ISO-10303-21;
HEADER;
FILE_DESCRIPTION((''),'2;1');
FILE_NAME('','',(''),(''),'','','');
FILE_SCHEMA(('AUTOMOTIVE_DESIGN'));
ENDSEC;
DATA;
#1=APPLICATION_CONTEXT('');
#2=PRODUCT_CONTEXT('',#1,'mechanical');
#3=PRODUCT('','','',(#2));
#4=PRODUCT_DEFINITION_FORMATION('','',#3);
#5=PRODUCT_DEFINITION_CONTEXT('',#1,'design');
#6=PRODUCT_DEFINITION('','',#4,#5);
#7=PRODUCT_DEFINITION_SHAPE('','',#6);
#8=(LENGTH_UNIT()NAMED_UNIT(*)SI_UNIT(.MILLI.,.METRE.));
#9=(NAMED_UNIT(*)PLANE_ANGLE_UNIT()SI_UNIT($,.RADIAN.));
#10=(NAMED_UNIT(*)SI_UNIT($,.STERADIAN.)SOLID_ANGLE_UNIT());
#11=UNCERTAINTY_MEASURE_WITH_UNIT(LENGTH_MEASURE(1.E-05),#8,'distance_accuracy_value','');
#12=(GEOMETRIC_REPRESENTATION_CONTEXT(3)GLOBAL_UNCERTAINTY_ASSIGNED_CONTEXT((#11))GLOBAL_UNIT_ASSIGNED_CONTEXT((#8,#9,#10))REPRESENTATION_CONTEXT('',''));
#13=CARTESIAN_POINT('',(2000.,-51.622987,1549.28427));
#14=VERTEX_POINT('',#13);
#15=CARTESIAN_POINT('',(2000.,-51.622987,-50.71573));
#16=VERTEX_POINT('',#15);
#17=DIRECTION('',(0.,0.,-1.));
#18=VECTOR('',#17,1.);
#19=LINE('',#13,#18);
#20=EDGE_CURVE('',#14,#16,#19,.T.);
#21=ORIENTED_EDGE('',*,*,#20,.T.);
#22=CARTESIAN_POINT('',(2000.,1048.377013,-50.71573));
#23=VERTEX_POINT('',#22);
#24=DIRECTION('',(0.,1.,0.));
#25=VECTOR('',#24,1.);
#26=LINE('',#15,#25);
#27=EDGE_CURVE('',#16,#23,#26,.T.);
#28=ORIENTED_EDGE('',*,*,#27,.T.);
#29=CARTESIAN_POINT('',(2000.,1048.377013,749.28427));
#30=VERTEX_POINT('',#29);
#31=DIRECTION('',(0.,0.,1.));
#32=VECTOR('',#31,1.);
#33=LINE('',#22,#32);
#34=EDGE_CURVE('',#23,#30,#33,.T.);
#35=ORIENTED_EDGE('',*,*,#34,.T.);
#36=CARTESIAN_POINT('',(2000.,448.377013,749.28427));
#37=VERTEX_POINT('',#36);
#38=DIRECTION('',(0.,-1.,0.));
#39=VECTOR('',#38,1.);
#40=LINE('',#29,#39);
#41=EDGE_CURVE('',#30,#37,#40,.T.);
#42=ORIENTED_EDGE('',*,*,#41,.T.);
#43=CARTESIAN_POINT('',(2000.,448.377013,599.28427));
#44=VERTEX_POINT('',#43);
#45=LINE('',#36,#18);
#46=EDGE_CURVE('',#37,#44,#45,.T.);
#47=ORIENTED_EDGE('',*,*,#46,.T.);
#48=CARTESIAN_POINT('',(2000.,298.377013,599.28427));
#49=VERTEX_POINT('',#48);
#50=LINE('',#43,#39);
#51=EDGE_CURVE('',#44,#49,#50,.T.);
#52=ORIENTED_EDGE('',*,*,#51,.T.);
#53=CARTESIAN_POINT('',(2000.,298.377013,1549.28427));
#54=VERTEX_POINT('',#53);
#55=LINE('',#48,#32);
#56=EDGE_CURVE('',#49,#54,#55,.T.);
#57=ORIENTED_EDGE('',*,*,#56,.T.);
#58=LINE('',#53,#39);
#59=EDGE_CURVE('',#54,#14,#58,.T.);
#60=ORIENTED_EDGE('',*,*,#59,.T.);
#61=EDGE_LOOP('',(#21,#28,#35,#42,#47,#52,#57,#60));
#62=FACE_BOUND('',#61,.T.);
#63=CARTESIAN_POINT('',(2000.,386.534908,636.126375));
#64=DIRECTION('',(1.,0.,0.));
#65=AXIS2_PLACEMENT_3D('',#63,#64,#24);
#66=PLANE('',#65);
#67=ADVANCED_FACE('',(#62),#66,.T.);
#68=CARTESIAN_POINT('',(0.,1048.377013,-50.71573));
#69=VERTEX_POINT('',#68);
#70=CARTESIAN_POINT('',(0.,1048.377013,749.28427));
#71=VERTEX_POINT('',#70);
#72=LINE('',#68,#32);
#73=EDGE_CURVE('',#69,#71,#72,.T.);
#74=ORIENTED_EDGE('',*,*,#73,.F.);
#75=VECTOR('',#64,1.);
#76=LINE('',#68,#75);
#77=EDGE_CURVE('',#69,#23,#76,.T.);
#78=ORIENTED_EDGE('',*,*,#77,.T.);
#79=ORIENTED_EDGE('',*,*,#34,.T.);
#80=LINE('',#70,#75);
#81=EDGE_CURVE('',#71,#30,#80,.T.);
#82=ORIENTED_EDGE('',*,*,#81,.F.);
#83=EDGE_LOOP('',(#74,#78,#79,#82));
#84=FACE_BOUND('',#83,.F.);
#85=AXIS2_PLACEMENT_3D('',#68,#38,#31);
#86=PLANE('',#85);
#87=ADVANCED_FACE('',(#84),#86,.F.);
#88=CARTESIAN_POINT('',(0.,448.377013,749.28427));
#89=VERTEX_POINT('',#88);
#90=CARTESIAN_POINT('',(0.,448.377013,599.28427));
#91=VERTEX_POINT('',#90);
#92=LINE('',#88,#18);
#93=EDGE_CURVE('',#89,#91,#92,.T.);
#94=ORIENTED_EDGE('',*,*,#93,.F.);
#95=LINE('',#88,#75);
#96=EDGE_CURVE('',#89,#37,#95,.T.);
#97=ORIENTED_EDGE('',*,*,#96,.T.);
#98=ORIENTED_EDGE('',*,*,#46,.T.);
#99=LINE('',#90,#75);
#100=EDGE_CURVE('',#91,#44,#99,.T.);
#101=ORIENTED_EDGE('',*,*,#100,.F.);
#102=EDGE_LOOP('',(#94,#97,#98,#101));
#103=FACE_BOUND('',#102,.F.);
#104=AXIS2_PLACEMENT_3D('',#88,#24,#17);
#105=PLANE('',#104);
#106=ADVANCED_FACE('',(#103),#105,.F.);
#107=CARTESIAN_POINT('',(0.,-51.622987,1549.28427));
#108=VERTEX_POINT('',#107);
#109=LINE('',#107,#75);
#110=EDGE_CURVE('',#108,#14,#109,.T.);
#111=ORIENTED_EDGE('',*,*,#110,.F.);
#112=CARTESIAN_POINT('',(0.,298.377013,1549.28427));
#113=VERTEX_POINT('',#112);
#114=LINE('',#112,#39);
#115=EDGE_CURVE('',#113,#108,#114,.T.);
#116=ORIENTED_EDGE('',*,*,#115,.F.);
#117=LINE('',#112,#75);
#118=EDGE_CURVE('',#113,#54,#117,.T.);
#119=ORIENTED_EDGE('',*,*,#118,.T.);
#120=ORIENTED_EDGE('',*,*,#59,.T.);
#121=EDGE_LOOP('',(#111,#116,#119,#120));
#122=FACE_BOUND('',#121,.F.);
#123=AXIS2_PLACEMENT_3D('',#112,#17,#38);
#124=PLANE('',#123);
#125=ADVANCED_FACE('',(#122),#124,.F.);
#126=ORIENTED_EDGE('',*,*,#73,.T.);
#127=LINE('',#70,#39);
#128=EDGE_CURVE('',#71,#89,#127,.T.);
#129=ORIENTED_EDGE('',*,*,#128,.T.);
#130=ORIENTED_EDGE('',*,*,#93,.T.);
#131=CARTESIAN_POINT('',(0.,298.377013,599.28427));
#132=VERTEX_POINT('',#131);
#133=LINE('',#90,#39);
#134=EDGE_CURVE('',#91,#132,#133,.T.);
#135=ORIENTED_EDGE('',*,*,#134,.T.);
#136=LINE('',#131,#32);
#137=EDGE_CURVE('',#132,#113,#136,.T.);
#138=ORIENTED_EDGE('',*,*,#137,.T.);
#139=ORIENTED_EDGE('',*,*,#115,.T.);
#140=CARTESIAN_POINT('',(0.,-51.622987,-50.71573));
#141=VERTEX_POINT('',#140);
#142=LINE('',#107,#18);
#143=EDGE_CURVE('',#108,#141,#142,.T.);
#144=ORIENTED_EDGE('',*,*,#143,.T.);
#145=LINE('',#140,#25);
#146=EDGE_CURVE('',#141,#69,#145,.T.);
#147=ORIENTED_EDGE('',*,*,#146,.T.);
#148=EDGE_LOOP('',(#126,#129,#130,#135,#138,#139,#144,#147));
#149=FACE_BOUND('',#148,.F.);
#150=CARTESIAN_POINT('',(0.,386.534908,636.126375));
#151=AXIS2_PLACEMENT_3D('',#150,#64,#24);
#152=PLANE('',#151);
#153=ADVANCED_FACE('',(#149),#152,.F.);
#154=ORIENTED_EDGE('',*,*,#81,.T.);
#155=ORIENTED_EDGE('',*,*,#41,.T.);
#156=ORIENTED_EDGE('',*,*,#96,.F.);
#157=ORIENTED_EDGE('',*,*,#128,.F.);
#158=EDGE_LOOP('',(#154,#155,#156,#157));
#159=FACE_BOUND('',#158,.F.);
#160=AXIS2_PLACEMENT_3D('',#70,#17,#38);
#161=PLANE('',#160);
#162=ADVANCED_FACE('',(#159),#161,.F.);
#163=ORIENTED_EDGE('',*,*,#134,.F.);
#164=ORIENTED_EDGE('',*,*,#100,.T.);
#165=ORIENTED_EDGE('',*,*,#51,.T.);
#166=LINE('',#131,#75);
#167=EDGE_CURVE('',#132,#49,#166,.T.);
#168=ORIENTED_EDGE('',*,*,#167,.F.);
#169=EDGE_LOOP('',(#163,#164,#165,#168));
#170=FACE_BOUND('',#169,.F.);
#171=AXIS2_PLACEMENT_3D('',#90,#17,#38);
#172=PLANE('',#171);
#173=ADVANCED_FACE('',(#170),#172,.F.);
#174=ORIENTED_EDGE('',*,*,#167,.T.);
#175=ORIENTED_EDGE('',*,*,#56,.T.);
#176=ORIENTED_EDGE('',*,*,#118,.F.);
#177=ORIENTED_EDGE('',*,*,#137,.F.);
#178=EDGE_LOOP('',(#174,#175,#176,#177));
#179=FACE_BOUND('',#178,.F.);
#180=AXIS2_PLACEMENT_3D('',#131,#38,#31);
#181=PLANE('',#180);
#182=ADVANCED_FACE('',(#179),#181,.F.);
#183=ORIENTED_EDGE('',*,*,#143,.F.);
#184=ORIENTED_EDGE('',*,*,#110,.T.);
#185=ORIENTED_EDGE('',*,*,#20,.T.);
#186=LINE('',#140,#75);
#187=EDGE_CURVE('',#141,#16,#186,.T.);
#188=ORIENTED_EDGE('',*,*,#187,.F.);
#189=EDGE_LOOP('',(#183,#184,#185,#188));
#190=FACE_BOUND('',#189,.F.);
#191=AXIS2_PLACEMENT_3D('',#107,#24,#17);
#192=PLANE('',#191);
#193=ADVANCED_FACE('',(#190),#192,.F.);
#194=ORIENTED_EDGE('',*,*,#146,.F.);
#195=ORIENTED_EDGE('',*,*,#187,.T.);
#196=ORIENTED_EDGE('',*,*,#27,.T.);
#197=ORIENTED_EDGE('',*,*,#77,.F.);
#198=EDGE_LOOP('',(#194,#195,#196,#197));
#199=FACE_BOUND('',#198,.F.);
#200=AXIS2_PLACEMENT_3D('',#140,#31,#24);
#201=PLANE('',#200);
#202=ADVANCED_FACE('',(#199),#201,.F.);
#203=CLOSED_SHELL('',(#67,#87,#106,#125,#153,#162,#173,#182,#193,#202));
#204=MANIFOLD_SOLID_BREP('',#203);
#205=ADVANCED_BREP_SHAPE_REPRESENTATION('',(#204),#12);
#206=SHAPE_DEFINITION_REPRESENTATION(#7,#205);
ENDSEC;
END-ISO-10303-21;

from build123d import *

# Parameters (mm, degrees)
F1_DEPTH = 2000


with BuildPart() as f1:
    # F0 (on Right) → F1 (new body)
    with BuildSketch(Plane.YZ):
        Polygon((298.377013, 1549.28427), (-51.622987, 1549.28427), (-51.622987, -50.71573), (1048.377013, -50.71573), (1048.377013, 749.28427), (448.377013, 749.28427), (448.377013, 599.28427), (298.377013, 599.28427), (298.377013, 749.28427), align=None)
    extrude(amount=F1_DEPTH)


solid = f1.part
